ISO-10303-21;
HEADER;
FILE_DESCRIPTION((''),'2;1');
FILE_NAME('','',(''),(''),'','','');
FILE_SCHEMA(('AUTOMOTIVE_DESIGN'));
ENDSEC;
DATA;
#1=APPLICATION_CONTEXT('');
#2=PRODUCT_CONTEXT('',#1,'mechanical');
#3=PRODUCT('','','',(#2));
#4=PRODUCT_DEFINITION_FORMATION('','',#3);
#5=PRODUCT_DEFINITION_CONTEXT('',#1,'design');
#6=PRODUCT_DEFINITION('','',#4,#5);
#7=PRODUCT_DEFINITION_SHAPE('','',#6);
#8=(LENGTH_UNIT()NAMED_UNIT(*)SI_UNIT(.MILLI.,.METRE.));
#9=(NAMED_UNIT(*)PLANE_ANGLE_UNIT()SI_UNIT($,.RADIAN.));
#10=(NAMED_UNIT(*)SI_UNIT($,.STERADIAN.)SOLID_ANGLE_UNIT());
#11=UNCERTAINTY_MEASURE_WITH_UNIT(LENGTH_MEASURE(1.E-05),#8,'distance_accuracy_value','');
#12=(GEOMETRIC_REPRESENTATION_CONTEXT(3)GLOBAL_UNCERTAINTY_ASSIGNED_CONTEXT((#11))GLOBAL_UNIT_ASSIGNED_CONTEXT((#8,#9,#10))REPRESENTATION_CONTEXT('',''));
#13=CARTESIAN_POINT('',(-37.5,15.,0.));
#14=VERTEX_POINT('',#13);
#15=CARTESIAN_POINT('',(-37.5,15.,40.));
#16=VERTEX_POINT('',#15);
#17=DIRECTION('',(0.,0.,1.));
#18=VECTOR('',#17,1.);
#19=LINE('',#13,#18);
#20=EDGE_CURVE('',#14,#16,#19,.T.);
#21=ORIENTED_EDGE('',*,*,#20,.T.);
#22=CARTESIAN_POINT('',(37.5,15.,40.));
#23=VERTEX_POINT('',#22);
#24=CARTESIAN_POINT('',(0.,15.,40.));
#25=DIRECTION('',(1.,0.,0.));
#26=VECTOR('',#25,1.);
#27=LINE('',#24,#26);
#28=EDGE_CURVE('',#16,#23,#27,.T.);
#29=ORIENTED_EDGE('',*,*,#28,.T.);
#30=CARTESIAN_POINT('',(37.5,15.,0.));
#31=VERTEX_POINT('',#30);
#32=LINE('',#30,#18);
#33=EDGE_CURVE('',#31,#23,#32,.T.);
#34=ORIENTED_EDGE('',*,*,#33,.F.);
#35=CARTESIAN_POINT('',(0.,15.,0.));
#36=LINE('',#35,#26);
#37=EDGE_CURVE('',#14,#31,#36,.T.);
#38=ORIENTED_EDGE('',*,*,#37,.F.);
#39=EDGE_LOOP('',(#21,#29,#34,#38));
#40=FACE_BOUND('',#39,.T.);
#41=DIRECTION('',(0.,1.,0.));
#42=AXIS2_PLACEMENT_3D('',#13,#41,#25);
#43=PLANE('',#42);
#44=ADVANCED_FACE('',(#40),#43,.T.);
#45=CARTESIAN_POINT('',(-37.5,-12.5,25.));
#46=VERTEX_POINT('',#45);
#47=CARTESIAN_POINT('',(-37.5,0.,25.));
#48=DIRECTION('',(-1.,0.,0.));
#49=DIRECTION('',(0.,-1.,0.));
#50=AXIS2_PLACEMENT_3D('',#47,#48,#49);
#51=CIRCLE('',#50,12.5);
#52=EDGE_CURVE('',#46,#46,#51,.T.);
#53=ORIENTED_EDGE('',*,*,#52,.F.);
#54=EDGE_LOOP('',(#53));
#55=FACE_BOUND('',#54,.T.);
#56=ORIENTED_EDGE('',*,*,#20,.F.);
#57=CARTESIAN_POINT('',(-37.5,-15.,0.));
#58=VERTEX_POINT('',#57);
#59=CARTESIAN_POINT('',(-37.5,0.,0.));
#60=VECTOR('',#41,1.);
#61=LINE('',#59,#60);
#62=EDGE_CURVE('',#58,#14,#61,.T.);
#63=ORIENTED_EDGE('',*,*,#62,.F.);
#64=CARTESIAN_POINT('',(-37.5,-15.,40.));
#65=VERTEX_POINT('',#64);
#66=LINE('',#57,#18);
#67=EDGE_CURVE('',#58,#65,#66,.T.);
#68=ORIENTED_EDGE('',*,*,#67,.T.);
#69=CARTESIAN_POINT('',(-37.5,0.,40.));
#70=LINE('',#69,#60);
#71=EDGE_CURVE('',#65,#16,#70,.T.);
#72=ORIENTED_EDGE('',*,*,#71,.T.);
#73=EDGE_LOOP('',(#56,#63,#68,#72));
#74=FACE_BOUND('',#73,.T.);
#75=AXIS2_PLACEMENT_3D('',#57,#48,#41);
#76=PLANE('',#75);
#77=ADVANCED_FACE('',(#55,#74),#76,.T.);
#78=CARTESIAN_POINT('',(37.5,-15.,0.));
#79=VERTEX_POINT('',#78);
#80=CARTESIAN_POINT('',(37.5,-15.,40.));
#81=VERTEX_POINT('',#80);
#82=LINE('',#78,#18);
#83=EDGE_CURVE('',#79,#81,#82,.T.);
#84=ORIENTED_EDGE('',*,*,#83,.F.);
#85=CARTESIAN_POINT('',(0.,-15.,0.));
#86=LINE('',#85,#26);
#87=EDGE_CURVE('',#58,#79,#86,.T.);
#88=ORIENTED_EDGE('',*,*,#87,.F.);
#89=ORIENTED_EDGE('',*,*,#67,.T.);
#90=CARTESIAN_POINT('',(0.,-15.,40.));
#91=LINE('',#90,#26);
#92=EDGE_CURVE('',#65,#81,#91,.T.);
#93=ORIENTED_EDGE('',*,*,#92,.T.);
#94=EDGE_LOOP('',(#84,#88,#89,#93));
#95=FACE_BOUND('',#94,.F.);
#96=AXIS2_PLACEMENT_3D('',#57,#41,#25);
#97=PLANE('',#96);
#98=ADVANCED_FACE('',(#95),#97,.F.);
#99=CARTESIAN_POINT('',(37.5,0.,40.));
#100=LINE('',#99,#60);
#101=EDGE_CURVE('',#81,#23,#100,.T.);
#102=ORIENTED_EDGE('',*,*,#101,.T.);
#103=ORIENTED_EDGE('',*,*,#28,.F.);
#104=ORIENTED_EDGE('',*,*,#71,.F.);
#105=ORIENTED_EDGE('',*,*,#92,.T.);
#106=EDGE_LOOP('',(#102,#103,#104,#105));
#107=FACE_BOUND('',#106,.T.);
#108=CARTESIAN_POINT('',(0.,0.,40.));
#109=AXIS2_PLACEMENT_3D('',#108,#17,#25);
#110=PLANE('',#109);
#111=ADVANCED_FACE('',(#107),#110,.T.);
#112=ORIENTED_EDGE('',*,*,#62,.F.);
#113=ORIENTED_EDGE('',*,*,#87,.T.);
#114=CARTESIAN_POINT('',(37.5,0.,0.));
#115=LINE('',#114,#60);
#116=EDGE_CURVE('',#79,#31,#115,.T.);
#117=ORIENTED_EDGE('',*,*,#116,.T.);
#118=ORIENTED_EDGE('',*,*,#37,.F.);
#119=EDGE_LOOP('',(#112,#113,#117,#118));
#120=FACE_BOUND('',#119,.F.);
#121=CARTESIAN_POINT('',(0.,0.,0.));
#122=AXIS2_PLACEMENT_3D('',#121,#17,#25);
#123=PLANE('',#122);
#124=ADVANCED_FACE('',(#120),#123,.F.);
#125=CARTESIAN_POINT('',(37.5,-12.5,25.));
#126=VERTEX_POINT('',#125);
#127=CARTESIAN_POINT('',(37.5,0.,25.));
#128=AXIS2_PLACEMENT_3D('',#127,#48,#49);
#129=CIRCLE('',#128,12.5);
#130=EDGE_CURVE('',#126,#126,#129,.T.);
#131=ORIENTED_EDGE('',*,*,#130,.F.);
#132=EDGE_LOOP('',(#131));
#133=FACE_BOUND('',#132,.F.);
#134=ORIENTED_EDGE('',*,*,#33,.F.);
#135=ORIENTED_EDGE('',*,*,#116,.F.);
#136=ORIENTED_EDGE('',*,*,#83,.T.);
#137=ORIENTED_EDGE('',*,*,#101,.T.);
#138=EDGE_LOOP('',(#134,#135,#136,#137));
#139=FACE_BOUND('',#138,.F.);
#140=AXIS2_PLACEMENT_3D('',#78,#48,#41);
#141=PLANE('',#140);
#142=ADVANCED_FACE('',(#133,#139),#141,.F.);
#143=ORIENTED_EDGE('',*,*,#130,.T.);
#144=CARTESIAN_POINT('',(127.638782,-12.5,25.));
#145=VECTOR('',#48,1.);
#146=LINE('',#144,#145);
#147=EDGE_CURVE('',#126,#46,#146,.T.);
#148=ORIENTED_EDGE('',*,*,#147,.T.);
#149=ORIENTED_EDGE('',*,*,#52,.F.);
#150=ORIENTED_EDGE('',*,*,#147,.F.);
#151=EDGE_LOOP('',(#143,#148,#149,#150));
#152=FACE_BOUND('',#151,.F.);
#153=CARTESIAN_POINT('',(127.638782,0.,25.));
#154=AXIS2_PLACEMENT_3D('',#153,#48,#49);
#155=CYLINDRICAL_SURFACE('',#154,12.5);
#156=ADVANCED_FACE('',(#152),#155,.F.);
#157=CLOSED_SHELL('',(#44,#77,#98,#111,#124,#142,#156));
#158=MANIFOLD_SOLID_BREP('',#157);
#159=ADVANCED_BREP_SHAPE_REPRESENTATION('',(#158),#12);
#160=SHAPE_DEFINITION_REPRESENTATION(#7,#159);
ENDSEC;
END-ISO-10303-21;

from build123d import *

# Parameters (mm, degrees)
F0_W     = 75
F0_H     = 30
F1_DEPTH = 40
F3_D     = 25


with BuildPart() as f1:
    # F0 (on Top) → F1 (new body)
    with BuildSketch(Plane.XY):
        Rectangle(F0_W, F0_H)
    extrude(amount=F1_DEPTH)

    # F3 (through all)
    with Locations(Plane.YZ.offset(37.5)):
        with Locations((0, 25)):
            Hole(F3_D / 2)


solid = f1.part
